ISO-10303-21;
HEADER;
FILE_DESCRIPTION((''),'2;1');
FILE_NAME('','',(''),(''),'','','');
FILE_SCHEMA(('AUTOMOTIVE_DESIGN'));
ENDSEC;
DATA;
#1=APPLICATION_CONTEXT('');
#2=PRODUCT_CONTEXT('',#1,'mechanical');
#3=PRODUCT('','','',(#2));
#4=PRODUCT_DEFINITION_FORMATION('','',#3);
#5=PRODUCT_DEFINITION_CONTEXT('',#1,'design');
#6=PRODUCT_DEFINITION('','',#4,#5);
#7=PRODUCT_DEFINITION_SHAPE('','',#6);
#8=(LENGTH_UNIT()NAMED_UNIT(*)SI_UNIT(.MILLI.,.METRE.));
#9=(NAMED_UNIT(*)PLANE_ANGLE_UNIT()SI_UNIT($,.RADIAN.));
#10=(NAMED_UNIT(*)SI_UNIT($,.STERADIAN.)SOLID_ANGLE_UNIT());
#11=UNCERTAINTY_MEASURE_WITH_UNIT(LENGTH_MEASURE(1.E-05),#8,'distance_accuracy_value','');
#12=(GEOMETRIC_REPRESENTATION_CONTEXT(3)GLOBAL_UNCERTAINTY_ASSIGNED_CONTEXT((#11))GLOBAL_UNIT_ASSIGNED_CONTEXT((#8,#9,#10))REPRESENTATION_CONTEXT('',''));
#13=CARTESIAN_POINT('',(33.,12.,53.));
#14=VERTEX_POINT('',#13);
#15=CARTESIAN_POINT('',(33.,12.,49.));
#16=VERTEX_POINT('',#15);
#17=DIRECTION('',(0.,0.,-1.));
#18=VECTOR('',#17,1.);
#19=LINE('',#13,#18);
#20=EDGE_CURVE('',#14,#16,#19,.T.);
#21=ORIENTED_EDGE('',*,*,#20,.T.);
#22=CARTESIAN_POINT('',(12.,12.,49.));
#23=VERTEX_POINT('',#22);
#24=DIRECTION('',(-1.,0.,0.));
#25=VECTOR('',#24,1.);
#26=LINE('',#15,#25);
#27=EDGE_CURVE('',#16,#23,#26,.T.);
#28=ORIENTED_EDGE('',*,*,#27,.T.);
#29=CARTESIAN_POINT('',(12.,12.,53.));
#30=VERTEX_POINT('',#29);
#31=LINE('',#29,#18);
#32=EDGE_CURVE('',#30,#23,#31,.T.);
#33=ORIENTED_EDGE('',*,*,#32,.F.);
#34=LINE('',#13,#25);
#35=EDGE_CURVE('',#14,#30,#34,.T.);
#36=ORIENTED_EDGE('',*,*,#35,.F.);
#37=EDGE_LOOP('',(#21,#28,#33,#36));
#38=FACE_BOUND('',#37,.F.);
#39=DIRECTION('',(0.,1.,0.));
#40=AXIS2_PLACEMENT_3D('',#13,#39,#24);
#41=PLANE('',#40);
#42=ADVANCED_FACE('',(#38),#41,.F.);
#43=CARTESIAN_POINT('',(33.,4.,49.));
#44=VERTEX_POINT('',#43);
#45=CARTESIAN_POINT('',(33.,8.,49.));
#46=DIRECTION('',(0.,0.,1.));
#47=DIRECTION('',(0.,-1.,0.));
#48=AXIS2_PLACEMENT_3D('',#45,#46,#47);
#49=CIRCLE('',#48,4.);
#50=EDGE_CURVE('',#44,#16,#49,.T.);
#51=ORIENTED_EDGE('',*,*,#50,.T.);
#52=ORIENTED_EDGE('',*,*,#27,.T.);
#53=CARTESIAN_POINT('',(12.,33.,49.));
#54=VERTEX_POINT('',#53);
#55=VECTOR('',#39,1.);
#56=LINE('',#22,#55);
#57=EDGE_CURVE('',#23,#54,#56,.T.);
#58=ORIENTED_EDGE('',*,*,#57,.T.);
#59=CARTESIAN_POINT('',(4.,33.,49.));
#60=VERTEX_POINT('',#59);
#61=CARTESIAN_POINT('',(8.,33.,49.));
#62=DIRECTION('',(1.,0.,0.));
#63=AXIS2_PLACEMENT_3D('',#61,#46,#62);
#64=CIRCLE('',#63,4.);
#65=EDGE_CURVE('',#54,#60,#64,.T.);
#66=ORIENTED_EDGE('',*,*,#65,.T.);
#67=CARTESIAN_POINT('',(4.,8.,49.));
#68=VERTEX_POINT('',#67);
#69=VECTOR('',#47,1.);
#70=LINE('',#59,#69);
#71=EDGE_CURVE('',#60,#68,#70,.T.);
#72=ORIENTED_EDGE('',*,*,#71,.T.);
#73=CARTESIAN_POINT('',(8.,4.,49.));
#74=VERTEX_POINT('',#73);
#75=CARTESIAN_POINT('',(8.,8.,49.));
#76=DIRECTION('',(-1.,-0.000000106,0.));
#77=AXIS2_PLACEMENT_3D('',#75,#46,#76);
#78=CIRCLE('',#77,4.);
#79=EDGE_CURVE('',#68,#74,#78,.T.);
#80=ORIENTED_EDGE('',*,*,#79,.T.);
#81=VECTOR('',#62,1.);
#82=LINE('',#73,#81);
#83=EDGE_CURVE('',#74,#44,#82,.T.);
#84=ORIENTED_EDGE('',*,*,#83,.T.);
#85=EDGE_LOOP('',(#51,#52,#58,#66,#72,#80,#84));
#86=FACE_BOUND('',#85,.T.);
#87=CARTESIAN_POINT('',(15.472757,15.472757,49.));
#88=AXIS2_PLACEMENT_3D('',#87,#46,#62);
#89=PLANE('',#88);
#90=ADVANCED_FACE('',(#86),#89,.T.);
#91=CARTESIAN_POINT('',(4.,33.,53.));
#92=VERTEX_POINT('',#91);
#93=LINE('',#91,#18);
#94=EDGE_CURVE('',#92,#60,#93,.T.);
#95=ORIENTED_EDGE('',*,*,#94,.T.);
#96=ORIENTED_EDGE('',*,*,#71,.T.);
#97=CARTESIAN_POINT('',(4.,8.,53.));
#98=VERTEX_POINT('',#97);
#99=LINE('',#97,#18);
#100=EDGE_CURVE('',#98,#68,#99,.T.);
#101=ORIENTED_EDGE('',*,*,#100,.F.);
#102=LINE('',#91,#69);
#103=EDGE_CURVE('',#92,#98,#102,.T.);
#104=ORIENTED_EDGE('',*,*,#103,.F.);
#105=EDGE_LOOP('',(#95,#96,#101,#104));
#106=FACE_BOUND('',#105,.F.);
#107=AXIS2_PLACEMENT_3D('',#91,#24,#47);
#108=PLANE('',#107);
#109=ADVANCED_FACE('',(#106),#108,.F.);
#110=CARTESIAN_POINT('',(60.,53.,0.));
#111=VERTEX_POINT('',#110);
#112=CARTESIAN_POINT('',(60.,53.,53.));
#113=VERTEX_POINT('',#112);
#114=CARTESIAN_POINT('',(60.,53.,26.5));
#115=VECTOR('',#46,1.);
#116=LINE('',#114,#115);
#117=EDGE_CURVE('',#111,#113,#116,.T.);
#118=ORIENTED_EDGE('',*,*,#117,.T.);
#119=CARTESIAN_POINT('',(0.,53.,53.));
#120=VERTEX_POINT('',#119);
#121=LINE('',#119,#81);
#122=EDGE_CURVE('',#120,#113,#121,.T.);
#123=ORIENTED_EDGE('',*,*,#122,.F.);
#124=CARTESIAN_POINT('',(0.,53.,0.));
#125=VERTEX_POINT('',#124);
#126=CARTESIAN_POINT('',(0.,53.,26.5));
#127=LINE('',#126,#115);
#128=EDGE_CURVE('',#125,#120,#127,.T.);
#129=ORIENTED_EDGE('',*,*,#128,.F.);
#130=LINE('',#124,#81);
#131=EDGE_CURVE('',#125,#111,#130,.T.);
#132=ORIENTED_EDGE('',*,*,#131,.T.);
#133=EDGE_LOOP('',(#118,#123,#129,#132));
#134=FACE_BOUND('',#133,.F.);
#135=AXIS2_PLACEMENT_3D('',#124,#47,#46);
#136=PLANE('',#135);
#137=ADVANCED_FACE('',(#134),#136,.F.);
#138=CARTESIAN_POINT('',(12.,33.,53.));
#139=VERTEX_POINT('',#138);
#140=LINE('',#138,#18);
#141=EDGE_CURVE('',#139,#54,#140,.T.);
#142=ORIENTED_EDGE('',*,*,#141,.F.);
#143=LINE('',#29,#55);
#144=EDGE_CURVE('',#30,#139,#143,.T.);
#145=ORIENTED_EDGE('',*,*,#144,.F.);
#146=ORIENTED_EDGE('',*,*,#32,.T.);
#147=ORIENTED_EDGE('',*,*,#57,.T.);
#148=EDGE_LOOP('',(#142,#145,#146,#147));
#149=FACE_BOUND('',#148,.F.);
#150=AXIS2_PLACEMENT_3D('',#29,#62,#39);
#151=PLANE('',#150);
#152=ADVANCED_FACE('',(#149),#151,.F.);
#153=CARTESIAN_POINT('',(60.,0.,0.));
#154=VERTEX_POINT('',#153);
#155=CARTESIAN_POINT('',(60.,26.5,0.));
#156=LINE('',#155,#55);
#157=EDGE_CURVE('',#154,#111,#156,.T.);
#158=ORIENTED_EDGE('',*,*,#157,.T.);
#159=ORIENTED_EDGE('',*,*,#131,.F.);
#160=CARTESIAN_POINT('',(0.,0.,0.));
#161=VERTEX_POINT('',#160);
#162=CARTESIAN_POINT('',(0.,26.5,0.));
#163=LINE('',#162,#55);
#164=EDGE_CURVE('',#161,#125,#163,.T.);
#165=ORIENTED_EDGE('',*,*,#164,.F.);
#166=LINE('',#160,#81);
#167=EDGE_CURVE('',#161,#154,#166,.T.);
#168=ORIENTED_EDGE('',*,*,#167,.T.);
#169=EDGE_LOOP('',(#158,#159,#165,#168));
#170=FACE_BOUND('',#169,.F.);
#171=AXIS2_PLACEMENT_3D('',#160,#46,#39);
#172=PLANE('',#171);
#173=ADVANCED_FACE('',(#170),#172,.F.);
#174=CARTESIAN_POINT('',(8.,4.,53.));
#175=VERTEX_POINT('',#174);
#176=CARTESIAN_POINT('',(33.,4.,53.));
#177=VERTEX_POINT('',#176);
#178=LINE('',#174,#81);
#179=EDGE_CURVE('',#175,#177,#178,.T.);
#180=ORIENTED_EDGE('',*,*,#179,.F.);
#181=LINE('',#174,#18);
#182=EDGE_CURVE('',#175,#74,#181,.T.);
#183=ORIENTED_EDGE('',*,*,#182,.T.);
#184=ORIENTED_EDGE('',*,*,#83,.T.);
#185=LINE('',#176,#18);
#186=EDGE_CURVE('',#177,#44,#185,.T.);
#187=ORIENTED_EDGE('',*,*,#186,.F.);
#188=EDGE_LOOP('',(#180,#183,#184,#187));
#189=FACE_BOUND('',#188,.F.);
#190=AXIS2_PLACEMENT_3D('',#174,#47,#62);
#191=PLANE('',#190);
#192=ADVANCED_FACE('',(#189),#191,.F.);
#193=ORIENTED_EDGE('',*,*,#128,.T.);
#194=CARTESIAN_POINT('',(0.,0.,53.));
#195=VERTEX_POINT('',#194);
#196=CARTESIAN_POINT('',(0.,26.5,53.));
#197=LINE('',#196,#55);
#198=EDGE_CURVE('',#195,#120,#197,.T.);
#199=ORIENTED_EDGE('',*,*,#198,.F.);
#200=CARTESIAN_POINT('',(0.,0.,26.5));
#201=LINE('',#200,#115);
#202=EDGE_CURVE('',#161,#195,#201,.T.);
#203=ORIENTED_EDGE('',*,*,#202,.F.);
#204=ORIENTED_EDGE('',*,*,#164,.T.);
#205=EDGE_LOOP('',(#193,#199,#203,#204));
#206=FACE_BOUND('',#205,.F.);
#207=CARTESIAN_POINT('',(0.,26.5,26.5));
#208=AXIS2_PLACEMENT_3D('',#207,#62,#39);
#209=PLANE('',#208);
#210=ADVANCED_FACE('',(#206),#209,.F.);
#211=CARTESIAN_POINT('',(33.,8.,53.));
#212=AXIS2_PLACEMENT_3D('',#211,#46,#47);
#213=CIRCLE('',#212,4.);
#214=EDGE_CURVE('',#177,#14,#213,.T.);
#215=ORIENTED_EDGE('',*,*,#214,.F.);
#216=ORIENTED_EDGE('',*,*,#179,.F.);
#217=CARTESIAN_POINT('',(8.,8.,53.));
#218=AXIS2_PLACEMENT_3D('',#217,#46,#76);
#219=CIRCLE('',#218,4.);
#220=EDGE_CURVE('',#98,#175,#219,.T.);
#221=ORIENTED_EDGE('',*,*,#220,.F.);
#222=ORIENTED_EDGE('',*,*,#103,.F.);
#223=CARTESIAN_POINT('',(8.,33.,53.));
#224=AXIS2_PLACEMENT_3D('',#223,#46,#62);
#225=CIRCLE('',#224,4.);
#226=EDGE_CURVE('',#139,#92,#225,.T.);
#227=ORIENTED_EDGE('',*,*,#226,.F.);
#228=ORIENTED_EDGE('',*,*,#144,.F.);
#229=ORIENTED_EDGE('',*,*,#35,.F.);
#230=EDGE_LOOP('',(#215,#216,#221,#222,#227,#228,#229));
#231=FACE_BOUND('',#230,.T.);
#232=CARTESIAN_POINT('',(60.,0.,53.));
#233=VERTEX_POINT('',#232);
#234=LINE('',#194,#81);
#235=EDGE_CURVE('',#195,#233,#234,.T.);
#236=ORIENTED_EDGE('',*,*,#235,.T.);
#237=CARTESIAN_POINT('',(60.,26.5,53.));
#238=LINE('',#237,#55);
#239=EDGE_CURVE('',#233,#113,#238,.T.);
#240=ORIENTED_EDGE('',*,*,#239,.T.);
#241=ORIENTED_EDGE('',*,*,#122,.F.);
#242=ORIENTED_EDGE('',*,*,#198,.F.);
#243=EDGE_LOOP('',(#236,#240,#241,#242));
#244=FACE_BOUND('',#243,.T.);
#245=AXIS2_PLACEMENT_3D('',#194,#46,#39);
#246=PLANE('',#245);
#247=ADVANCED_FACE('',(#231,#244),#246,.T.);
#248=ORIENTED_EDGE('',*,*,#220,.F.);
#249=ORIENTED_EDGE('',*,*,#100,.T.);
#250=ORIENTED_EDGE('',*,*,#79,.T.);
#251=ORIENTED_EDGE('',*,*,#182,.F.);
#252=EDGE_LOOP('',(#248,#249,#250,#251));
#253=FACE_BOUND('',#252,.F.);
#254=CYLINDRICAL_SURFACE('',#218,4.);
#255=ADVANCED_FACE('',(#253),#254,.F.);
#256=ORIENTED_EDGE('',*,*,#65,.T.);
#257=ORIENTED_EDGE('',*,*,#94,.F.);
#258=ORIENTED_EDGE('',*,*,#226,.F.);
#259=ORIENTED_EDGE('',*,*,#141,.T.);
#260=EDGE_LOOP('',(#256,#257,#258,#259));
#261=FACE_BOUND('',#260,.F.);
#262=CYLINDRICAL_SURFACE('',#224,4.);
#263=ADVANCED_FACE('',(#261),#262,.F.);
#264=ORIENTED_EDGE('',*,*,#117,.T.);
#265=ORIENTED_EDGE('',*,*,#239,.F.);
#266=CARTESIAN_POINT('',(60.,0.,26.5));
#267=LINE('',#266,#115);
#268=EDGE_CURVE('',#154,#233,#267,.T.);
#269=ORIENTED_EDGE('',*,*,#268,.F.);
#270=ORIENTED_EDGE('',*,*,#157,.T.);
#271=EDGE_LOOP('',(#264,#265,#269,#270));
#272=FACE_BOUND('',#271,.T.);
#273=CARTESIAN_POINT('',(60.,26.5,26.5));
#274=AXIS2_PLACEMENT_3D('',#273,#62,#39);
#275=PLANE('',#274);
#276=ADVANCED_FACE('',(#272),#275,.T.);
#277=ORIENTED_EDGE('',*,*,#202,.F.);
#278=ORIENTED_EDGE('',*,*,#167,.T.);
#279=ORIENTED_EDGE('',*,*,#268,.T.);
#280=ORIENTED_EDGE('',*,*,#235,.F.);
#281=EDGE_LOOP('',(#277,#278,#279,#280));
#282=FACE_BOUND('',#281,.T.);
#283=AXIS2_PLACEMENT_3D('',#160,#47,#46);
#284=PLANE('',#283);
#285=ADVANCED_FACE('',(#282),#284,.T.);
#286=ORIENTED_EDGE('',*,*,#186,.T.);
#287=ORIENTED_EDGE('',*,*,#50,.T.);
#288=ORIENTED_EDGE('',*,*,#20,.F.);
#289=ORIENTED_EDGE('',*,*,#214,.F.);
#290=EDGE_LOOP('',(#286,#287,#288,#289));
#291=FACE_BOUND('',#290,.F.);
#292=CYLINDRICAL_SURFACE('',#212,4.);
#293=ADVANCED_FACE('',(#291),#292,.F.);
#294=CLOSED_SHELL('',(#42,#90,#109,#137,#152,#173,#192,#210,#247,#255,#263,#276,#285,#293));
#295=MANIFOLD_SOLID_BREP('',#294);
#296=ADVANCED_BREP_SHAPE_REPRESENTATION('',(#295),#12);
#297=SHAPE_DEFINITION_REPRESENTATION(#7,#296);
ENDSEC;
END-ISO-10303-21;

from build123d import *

# Parameters (mm, degrees)
F0_W     = 53
F0_H     = 53
F1_DEPTH = 60
F3_DEPTH = 4


with BuildPart() as f1:
    # F0 (on Right) → F1 (new body)
    with BuildSketch(Plane.YZ):
        with Locations((26.5, 26.5)):
            Rectangle(F0_W, F0_H)
    extrude(amount=F1_DEPTH)

    # F2 (on face) → F3 (cut)
    with BuildSketch(Plane.XY.offset(53)):
        with BuildLine():
            ThreePointArc((12, 33), (8, 37), (4, 33))
            Line((4, 33), (4, 8))
            ThreePointArc((4, 8), (5.171573, 5.171573), (8, 4))
            Line((8, 4), (33, 4))
            ThreePointArc((33, 4), (37, 8), (33, 12))
            Line((33, 12), (12, 12))
            Line((12, 12), (12, 33))
        make_face()
    extrude(amount=-F3_DEPTH, mode=Mode.SUBTRACT)


solid = f1.part
